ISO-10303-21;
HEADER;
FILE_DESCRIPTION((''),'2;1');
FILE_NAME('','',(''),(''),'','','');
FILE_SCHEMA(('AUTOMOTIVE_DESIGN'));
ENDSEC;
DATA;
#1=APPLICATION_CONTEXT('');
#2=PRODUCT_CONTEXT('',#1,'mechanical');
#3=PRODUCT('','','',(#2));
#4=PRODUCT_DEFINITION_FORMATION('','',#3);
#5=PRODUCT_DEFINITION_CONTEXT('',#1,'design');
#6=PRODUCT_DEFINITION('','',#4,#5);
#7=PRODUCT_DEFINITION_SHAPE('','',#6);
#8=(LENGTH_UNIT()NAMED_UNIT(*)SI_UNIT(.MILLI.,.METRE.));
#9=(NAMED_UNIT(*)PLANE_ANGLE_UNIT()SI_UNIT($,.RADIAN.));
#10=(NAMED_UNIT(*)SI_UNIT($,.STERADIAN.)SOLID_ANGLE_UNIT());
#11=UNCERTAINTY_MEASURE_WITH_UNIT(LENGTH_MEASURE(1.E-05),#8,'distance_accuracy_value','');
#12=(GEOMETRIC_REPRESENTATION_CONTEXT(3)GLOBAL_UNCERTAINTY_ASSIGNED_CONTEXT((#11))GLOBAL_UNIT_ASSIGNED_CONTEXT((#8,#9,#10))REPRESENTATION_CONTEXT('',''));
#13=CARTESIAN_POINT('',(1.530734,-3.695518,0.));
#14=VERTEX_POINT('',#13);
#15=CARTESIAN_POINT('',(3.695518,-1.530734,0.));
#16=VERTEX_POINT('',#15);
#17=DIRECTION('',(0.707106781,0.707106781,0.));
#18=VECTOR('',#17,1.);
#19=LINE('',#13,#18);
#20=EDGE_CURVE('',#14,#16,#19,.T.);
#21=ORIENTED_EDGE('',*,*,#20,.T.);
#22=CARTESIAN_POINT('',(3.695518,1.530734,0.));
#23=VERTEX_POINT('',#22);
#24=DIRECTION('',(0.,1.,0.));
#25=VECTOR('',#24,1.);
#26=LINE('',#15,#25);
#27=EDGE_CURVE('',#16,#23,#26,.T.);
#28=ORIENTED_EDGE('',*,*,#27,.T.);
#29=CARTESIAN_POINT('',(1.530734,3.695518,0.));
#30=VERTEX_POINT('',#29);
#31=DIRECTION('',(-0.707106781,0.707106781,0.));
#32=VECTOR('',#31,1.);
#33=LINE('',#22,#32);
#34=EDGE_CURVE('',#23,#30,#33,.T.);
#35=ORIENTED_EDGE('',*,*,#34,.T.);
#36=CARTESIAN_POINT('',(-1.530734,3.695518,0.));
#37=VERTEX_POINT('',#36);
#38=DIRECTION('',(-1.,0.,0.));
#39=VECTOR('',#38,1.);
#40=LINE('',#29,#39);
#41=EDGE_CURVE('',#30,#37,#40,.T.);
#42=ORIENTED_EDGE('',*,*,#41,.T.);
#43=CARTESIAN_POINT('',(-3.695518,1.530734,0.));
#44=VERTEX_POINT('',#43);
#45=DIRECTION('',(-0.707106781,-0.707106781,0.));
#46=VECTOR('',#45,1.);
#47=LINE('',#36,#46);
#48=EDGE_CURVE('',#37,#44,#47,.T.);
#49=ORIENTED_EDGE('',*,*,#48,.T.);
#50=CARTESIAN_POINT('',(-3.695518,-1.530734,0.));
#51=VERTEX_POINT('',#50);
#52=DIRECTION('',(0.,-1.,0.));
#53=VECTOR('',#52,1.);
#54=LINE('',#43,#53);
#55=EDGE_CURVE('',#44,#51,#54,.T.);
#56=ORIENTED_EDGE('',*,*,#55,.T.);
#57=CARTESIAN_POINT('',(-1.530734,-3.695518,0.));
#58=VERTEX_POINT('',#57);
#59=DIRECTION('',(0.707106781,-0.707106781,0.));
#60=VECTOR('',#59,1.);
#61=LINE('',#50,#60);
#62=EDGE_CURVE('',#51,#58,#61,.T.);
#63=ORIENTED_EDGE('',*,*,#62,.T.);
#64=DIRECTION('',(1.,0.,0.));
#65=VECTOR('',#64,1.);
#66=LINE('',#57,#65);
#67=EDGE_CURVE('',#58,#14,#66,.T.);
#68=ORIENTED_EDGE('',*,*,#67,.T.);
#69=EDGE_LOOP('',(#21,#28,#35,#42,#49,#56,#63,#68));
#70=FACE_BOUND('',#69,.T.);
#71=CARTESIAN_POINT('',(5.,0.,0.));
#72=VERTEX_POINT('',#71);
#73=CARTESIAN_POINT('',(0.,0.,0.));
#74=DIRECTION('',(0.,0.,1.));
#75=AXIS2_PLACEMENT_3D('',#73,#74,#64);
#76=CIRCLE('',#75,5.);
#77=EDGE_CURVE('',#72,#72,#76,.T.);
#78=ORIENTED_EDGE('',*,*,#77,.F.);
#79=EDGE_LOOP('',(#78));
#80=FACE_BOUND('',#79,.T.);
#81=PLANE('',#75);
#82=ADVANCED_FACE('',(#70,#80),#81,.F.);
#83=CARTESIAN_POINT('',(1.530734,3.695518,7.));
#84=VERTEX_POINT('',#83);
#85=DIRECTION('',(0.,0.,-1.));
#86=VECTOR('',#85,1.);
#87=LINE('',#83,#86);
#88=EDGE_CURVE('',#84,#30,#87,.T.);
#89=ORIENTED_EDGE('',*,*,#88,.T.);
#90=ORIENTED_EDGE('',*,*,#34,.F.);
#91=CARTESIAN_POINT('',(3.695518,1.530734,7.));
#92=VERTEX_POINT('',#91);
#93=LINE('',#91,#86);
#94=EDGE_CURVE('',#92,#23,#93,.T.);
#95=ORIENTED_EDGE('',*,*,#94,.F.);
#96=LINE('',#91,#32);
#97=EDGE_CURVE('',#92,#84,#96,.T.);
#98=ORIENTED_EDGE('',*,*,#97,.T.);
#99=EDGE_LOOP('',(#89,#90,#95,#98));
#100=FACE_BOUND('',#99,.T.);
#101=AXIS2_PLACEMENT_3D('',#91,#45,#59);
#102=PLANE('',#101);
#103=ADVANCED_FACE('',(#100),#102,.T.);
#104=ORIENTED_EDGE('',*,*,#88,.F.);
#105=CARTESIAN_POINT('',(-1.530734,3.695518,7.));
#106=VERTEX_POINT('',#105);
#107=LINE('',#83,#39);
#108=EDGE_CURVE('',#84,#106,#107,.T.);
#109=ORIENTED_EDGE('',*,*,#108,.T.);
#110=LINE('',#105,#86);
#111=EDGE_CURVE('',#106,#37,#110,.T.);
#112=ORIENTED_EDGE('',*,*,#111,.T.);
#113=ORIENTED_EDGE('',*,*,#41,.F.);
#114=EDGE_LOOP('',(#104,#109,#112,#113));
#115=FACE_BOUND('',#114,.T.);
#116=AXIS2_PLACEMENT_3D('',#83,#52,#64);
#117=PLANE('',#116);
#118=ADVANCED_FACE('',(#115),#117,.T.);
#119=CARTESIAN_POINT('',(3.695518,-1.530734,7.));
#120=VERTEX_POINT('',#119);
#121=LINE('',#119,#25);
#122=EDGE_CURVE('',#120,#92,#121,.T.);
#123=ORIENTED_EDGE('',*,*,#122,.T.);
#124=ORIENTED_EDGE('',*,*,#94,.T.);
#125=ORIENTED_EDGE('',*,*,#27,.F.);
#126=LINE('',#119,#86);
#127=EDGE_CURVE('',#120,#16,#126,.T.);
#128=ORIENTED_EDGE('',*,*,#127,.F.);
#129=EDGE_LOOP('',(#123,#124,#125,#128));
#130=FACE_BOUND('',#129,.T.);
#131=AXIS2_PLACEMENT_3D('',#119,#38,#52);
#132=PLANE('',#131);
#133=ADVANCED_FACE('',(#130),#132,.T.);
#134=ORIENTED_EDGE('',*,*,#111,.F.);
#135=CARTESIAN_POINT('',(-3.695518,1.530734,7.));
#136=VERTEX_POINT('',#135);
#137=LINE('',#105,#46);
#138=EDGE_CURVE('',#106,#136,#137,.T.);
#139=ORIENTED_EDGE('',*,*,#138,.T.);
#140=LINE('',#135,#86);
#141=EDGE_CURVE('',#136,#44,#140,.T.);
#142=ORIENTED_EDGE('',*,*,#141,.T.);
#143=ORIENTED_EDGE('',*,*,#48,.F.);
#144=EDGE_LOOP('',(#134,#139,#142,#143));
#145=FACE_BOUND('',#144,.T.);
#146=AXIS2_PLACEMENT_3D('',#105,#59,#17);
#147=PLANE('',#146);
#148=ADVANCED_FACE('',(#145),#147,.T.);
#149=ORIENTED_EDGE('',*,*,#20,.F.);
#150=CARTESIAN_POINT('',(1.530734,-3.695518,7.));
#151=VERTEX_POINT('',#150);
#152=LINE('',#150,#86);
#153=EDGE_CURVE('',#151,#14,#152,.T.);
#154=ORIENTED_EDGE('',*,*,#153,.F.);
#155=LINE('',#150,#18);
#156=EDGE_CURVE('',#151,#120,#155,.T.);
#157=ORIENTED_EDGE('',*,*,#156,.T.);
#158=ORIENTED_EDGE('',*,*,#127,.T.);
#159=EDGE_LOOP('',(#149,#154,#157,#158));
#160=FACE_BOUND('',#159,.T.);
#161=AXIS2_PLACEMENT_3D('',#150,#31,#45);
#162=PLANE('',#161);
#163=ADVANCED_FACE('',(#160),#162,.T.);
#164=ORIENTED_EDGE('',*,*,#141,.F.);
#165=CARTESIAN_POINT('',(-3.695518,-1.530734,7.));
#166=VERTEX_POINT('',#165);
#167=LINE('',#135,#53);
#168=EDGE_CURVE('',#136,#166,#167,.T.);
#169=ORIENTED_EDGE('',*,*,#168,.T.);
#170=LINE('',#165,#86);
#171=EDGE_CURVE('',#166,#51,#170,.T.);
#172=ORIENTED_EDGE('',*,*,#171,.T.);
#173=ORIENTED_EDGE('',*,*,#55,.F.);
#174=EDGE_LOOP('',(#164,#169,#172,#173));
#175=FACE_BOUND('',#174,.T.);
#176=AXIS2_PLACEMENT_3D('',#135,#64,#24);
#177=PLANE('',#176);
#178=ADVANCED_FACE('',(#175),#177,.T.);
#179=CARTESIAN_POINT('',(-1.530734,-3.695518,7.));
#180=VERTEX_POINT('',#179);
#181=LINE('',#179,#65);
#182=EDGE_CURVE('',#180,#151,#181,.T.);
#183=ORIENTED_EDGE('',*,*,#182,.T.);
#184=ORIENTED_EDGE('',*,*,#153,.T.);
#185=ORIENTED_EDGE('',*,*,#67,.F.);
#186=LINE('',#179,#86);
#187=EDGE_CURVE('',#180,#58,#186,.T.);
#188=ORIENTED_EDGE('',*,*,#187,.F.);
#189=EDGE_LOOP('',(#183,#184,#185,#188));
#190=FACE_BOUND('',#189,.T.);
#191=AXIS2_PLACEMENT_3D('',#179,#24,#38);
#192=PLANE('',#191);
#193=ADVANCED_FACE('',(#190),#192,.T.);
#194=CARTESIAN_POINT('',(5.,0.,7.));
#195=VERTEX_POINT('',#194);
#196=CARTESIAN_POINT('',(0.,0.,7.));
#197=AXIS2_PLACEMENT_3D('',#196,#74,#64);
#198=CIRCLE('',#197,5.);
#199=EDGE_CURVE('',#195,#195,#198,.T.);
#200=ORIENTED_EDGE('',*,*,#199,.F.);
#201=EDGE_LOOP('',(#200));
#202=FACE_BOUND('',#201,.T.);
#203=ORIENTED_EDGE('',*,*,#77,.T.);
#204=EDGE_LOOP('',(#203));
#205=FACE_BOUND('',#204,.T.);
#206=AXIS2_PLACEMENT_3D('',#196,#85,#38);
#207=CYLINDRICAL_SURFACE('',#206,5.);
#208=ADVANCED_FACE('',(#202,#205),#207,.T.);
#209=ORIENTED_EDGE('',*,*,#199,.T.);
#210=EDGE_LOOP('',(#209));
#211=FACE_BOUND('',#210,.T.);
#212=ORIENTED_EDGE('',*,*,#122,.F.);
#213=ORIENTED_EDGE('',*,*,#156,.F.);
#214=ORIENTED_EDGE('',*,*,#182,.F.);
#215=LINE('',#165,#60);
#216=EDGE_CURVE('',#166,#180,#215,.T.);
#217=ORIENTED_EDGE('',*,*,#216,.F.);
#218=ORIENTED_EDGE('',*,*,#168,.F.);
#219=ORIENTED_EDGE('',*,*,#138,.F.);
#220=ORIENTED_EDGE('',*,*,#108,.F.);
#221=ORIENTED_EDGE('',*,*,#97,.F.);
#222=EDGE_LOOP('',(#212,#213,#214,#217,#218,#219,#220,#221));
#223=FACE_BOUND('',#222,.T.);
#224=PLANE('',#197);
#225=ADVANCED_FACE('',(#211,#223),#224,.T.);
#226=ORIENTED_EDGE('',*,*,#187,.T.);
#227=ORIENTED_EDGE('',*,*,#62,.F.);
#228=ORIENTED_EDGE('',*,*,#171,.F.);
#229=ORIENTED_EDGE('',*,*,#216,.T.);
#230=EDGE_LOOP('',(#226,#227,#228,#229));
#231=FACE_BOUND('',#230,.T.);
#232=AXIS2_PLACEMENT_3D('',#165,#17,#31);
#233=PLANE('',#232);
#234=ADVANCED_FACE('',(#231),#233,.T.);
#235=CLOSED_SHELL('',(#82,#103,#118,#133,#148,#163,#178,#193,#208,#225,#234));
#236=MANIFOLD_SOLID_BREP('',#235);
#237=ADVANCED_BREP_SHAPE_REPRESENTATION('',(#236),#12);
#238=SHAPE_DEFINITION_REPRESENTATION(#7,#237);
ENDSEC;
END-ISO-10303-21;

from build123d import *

# Parameters (mm, degrees)
SKETCH2_R           = 5
BOSS_EXTRUDE1_DEPTH = 7


with BuildPart() as part:
    # Sketch2 → Boss-Extrude1 (new body)
    with BuildSketch(Plane.XY):
        Circle(SKETCH2_R)
        Polygon((1.530733729, 3.69551813), (-1.530733729, 3.69551813), (-3.69551813, 1.530733729), (-3.69551813, -1.530733729), (-1.530733729, -3.69551813), (1.530733729, -3.69551813), (3.69551813, -1.530733729), (3.69551813, 1.530733729), align=None, mode=Mode.SUBTRACT)
    extrude(amount=BOSS_EXTRUDE1_DEPTH)


solid = part.part
